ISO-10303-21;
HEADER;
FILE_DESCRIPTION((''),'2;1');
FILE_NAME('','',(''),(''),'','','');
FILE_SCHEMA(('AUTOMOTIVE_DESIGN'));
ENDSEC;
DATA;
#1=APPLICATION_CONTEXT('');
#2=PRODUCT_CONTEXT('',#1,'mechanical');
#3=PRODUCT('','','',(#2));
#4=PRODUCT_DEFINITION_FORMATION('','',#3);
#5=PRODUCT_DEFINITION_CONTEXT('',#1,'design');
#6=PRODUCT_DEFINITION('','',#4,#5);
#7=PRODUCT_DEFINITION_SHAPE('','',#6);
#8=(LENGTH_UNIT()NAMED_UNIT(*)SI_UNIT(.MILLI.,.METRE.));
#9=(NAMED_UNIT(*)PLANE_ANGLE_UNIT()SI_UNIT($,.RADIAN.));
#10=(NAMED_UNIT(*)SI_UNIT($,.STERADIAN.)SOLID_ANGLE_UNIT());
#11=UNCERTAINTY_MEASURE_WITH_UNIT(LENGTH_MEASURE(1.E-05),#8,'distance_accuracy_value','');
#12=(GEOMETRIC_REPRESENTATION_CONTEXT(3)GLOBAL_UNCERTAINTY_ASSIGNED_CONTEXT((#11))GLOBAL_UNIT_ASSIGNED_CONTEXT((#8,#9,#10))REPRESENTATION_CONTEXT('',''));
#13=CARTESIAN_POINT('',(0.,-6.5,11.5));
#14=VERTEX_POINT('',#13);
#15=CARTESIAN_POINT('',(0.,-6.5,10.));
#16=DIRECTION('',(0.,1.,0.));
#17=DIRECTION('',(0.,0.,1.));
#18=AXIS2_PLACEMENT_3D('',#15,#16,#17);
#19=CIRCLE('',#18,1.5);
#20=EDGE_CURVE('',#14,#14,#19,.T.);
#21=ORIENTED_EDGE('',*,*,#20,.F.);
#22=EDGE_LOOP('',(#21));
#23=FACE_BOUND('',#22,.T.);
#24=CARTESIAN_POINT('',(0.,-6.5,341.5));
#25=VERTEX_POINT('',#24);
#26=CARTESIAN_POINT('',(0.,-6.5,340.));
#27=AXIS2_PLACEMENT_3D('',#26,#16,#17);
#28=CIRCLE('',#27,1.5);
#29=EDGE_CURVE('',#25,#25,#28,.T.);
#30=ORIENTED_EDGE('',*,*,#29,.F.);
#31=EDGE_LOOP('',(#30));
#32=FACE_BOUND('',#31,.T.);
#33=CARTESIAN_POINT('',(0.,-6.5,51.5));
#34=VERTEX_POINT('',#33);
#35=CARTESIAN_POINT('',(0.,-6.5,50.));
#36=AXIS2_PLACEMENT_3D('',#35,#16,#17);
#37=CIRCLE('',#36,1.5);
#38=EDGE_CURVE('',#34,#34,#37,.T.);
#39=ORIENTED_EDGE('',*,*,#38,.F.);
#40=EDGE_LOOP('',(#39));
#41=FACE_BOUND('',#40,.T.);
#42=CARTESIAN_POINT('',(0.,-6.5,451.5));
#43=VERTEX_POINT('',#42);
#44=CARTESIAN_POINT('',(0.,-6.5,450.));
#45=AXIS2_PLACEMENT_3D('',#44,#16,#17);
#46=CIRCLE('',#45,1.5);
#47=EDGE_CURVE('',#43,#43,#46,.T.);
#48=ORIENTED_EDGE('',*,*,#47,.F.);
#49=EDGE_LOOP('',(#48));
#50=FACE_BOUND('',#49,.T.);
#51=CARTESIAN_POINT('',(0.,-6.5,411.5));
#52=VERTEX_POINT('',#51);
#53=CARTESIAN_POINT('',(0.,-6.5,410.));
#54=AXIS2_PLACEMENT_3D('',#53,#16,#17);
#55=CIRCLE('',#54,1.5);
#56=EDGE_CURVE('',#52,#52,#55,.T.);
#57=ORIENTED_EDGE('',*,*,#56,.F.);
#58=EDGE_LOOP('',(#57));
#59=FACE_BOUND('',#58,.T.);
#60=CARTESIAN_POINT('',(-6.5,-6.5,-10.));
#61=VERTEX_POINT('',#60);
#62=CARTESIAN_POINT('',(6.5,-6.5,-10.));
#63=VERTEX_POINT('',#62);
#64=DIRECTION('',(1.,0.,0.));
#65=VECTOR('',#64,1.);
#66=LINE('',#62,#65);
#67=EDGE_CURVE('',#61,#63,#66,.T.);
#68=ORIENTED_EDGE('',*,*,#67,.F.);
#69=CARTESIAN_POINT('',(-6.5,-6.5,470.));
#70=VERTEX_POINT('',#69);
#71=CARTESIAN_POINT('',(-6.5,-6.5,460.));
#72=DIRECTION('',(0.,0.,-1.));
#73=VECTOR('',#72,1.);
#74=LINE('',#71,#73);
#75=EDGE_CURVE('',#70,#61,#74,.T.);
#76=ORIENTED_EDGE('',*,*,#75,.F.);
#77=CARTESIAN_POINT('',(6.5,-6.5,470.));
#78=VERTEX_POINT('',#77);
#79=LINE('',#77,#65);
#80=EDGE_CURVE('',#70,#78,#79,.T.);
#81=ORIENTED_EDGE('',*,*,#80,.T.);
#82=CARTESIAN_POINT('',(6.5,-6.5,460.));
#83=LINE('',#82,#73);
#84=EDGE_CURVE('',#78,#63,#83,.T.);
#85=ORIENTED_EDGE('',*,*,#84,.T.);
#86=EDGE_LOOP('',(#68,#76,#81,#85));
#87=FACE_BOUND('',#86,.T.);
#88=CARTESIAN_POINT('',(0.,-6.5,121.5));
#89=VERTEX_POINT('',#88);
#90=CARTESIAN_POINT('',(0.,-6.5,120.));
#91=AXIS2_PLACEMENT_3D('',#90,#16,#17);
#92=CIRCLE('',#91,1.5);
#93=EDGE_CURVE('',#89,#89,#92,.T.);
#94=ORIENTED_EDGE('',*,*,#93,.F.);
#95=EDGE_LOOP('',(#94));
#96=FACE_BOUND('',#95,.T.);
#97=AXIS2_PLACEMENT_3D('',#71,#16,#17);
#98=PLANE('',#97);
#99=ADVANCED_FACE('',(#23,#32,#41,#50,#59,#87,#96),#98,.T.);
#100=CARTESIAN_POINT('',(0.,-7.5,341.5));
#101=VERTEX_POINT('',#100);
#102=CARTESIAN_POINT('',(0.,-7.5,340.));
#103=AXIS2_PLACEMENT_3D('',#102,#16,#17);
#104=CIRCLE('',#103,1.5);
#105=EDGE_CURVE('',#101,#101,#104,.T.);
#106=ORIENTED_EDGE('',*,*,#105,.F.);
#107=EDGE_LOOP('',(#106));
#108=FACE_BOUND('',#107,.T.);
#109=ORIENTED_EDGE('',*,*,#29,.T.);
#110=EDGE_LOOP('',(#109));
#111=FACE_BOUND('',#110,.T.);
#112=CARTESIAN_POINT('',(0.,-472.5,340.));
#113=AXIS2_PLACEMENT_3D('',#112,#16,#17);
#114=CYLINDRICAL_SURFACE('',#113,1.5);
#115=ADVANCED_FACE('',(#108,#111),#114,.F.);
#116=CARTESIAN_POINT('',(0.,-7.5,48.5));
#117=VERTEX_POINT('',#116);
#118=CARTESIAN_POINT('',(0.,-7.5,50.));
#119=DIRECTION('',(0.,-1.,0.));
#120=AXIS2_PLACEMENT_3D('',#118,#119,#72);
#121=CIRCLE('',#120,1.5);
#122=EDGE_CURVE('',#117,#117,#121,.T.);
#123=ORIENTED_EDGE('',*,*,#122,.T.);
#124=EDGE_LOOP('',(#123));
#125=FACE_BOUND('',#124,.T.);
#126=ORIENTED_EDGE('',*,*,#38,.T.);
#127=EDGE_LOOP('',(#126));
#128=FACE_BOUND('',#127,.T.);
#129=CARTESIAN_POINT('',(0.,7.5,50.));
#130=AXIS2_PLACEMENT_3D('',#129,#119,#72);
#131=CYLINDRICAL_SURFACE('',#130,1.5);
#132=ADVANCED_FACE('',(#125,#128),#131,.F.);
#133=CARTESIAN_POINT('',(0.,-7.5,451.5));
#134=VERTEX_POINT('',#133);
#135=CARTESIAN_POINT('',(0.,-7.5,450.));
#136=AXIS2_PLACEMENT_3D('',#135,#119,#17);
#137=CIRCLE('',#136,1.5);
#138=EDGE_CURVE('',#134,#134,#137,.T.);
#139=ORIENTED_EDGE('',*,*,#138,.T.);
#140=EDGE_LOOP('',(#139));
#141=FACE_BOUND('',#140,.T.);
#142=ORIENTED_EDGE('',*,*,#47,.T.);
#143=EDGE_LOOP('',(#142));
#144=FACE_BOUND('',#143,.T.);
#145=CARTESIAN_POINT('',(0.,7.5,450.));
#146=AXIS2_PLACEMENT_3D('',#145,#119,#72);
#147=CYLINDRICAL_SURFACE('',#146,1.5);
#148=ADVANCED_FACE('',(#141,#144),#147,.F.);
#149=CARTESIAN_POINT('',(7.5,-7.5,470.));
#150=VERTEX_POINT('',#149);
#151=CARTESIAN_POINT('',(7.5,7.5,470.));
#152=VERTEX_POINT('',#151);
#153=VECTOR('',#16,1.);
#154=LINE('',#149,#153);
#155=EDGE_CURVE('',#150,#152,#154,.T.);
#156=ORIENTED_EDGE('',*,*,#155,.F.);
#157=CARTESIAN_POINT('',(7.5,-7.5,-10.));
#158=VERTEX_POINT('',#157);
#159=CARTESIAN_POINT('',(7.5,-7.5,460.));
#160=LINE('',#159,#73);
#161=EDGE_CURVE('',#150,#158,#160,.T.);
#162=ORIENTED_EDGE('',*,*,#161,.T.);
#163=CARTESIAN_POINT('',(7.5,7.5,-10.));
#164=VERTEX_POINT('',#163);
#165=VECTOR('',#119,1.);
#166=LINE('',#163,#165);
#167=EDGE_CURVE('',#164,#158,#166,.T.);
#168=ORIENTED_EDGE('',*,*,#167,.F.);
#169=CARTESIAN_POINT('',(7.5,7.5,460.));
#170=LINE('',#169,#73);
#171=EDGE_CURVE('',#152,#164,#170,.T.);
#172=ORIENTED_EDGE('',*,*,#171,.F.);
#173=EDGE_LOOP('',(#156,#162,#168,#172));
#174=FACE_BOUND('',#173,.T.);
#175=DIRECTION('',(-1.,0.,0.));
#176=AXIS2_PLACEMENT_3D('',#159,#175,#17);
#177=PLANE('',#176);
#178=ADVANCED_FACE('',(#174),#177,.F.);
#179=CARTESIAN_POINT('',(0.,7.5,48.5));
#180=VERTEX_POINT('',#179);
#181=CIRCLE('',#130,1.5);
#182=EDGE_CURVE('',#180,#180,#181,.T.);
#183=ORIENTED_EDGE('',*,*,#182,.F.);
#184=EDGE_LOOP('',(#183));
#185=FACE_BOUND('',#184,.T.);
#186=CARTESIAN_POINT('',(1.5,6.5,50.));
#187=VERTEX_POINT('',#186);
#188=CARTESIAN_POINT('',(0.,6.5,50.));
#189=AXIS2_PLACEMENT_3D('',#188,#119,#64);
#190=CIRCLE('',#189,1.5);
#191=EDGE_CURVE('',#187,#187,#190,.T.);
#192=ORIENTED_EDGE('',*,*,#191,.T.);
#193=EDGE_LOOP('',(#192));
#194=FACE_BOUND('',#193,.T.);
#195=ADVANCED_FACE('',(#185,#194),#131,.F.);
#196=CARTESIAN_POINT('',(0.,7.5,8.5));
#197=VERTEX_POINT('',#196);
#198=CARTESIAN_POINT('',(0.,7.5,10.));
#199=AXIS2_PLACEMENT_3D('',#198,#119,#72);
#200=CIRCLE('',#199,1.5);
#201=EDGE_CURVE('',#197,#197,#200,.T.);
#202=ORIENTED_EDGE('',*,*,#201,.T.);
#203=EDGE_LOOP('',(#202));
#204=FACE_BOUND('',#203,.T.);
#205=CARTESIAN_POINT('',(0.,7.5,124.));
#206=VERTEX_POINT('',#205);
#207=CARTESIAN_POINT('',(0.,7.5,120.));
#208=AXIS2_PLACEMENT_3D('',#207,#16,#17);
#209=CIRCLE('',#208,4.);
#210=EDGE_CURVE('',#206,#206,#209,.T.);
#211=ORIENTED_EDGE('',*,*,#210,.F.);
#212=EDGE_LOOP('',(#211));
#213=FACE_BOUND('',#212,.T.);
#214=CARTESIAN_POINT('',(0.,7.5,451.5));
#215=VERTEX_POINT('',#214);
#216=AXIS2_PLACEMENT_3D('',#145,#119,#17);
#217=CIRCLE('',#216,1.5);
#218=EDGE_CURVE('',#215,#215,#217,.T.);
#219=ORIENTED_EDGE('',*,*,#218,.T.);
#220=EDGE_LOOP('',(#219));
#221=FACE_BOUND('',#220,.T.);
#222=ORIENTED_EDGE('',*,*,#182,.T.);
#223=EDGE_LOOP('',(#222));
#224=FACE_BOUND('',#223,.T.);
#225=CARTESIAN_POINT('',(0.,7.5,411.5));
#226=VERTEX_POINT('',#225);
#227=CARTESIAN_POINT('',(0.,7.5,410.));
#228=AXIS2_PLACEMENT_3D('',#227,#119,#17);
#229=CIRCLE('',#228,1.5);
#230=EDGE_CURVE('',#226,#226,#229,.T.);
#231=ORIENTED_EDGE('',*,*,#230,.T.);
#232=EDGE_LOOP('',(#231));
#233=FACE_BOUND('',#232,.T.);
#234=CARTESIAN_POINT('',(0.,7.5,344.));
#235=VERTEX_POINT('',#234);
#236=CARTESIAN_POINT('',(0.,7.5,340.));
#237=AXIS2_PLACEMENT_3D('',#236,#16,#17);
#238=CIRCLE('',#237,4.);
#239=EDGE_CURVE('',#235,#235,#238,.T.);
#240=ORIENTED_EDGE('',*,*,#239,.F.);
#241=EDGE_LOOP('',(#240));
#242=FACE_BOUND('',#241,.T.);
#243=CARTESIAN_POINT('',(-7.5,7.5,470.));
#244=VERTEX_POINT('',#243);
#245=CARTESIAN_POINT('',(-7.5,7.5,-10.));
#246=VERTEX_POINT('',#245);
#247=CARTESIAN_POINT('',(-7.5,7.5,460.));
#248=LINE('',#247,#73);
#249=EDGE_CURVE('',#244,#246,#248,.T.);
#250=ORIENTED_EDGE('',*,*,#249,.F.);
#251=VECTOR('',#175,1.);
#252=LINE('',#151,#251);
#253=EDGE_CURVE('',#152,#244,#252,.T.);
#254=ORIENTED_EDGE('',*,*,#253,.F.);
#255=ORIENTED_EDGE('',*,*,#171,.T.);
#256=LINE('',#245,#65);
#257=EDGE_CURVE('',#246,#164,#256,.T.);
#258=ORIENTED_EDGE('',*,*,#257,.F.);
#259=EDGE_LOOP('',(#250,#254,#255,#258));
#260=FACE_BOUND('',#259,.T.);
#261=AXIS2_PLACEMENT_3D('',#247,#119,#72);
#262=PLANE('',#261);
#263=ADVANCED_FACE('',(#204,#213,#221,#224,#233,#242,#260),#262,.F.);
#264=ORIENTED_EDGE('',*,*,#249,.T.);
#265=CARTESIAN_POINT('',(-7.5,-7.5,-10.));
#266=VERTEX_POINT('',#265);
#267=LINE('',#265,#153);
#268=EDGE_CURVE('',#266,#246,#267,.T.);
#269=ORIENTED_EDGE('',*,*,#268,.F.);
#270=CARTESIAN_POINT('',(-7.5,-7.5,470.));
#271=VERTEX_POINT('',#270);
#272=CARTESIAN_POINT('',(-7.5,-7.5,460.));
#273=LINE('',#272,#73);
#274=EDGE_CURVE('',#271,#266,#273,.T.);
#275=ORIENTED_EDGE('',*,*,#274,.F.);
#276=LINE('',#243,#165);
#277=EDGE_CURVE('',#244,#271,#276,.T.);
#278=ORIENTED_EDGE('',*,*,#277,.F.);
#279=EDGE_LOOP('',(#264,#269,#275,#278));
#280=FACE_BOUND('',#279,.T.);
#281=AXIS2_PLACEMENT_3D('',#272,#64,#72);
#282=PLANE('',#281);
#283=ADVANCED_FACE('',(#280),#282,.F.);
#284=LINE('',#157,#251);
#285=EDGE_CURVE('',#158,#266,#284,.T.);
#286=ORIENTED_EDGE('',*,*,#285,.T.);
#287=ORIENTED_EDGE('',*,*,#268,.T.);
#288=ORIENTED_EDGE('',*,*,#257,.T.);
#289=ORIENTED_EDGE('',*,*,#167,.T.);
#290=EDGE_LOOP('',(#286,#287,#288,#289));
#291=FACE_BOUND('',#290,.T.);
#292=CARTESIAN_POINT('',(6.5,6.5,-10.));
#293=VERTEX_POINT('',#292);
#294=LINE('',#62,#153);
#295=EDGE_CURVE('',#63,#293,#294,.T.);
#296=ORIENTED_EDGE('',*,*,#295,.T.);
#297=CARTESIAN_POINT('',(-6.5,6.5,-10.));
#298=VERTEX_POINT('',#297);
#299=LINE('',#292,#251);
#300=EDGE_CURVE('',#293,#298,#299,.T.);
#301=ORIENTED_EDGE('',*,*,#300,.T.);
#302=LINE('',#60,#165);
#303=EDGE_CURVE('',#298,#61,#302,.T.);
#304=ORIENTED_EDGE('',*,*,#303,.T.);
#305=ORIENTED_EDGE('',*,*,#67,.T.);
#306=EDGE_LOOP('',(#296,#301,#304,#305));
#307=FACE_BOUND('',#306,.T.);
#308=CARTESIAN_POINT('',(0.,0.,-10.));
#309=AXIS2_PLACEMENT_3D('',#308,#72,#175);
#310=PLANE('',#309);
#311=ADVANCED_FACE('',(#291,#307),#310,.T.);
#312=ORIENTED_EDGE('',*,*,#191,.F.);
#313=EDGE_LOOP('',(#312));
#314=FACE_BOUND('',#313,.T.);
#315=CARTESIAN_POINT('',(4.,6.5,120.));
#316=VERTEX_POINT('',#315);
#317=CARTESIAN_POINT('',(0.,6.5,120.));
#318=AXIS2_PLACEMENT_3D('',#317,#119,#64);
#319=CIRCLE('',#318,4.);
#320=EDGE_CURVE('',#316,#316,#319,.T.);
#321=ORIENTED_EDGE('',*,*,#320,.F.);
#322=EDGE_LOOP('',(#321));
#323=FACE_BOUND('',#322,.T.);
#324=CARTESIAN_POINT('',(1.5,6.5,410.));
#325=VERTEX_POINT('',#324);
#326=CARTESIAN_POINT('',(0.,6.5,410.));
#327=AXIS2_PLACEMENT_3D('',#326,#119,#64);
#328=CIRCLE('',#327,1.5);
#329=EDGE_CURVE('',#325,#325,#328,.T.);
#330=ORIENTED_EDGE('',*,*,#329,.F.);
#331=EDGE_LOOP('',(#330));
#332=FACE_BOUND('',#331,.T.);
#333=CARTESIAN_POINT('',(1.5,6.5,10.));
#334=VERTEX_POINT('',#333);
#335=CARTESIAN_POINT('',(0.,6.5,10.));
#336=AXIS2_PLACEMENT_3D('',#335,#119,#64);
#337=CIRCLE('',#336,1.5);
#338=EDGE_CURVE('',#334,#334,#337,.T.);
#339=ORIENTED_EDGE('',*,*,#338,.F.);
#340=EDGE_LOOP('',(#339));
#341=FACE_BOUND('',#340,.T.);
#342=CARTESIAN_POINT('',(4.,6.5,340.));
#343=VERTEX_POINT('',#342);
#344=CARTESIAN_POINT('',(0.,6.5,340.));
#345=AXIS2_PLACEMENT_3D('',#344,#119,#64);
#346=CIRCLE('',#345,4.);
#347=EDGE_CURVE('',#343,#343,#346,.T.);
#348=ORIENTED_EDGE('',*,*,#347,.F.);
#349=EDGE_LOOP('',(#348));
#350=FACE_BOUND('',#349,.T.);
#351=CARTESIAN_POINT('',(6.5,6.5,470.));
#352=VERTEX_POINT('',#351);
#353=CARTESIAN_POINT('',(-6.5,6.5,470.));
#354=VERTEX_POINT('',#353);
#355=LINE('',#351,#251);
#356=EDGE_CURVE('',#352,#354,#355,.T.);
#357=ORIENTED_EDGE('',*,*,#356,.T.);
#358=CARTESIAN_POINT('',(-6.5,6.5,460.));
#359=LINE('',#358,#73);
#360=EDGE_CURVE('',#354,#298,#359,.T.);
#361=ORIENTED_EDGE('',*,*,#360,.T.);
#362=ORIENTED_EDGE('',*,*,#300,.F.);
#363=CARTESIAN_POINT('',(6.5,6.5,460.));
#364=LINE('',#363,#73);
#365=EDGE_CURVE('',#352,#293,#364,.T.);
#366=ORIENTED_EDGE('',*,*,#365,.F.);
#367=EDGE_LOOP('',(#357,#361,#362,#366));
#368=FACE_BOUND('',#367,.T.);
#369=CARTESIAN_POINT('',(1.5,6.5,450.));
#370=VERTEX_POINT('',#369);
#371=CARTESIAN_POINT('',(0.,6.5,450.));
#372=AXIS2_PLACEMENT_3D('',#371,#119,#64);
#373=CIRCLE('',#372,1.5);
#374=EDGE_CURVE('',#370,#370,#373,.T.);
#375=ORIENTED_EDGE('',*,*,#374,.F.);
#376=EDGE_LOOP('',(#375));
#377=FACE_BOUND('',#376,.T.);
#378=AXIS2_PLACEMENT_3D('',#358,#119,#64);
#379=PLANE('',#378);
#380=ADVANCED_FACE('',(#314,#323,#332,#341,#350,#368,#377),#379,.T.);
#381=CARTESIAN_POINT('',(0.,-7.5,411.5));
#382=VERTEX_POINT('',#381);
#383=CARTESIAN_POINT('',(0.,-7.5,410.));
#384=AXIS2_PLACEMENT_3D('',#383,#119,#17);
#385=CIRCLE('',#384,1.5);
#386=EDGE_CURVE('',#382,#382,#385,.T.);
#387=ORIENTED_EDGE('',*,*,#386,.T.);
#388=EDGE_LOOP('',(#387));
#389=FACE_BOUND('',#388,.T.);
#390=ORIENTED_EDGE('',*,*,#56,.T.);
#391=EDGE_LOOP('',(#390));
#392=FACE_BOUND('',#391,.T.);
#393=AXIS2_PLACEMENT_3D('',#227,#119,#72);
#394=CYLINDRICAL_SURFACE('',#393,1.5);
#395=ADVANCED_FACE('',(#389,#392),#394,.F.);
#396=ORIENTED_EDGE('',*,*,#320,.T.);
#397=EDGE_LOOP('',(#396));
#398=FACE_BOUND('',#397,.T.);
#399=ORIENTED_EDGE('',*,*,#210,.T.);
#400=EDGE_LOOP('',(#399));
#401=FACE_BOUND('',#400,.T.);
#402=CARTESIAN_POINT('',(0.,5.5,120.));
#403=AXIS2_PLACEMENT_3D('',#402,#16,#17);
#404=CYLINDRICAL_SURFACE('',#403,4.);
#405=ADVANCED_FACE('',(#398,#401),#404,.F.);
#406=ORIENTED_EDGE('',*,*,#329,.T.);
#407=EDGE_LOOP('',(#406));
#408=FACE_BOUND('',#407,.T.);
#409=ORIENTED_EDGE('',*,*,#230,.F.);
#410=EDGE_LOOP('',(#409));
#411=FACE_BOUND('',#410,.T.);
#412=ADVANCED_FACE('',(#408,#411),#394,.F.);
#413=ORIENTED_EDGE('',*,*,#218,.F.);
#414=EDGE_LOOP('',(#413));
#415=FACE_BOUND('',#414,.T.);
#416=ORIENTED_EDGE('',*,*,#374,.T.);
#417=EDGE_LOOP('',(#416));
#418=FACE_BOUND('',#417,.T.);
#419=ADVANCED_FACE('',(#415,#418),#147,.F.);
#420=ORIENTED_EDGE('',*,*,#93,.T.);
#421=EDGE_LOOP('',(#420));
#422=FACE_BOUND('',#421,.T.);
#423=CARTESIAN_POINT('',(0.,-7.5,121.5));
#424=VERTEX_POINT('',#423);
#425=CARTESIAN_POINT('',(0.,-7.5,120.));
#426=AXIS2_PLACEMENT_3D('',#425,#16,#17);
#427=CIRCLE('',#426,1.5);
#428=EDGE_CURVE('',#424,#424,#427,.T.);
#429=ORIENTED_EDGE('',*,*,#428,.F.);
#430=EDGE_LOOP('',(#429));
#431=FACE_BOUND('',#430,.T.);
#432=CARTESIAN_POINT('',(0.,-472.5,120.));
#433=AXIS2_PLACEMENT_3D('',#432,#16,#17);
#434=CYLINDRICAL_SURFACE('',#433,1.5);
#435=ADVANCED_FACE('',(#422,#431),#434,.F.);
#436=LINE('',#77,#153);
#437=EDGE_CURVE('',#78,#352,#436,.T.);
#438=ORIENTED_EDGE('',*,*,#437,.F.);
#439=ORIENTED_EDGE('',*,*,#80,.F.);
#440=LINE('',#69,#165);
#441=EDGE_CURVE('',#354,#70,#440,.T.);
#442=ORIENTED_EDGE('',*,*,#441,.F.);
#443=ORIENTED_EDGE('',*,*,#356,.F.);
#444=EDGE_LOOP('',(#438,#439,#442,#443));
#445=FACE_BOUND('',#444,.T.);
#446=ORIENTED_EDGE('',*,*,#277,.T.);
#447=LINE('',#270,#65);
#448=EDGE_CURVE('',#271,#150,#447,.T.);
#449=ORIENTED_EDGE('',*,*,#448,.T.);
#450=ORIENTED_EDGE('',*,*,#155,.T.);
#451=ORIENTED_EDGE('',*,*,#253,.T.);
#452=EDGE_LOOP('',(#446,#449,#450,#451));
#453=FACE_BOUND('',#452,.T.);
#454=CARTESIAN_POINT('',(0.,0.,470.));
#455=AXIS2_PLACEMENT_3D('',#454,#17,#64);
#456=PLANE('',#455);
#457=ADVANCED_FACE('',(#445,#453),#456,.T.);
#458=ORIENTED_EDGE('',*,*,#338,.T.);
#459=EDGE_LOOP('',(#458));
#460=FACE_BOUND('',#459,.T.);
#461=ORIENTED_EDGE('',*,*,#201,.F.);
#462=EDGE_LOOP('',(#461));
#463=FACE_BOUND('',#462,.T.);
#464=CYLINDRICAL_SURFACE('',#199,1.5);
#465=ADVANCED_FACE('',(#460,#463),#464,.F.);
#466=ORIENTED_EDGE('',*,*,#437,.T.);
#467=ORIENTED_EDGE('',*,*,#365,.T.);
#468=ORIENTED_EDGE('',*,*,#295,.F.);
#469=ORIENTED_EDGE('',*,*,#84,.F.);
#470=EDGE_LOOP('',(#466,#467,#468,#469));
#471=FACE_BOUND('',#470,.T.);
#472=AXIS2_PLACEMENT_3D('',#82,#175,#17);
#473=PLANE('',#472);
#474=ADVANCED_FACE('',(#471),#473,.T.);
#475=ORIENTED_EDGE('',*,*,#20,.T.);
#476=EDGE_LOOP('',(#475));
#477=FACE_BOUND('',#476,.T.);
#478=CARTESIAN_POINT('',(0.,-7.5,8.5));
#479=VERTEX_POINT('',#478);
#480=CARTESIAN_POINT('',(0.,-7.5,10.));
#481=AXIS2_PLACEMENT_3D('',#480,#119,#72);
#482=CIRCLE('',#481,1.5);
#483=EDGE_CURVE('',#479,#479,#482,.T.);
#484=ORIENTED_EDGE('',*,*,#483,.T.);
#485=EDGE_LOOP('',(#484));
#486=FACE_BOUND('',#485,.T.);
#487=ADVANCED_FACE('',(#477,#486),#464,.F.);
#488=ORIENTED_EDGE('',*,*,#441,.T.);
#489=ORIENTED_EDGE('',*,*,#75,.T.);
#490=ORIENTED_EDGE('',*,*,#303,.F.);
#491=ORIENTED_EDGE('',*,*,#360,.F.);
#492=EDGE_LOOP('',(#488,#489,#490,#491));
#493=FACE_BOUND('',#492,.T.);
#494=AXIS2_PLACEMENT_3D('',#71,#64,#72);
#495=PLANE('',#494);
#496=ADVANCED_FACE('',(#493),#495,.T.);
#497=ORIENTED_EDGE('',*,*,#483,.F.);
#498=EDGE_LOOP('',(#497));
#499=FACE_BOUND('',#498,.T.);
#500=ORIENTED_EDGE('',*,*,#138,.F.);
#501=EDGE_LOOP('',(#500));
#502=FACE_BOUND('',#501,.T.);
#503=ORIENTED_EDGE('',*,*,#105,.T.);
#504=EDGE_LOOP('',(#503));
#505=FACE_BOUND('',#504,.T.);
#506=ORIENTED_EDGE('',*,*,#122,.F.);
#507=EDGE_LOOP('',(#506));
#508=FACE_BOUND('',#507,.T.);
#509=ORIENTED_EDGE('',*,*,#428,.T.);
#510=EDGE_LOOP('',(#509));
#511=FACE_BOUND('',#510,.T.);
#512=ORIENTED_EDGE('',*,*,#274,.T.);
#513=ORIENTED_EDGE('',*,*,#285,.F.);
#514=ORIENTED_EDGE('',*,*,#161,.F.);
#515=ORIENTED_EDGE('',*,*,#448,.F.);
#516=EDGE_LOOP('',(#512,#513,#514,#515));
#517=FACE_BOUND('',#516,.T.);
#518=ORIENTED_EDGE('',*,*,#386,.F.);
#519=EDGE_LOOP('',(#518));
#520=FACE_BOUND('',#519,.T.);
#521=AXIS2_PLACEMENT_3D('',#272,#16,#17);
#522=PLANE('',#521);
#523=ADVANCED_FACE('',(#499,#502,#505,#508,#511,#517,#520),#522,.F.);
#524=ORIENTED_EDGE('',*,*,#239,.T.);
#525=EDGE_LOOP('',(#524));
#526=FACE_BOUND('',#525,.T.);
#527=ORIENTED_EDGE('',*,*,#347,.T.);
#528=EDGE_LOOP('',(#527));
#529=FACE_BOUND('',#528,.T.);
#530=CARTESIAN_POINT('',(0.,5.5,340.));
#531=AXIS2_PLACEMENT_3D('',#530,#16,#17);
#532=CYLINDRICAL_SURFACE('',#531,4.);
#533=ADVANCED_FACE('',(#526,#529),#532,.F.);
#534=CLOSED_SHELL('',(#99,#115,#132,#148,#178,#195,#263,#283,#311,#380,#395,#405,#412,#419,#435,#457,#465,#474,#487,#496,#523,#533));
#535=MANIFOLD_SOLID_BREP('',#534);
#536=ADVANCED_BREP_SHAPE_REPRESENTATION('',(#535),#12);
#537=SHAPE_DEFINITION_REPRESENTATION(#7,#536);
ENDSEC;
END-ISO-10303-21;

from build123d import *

# Parameters (mm, degrees)
SKETCH_1_W          = 15
SKETCH_1_H          = 15
SKETCH_1_W_2        = 13
SKETCH_1_H_2        = 13
EXTRUDE_1_DEPTH     = 460
SKETCH_2_R          = 1.5
CUT_EXTRUDE_1_DEPTH = 480
SKETCH_3_R          = 4
CUT_EXTRUDE_2_DEPTH = 2
SKETCH_4_W          = 15
SKETCH_4_H          = 15
EXTRUDE_2_DEPTH     = 10
SKETCH_5_W          = 15
SKETCH_5_H          = 15
EXTRUDE_3_DEPTH     = 10
SKETCH_6_W          = 13
SKETCH_6_H          = 13
CUT_EXTRUDE_3_DEPTH = 481.117173198
SKETCH_7_R          = 1.5
CUT_EXTRUDE_4_DEPTH = 471.299106952


with BuildPart() as part:
    # 草图1 → 凸台-拉伸1 (new body)
    with BuildSketch(Plane.XY):
        Rectangle(SKETCH_1_W, SKETCH_1_H)
        Rectangle(SKETCH_1_W_2, SKETCH_1_H_2, mode=Mode.SUBTRACT)
    extrude(amount=EXTRUDE_1_DEPTH)

    # 草图2 → 切除-拉伸1 (cut)
    with BuildSketch(Plane(origin=(0, 7.5, 0), x_dir=(1, 0, 0), z_dir=(0, 1, 0))):
        with Locations(Location((0, -120, 0), (0, 0, 270))):
            Circle(SKETCH_2_R)
        with Locations((0, -340)):
            Circle(SKETCH_2_R)
    extrude(amount=-CUT_EXTRUDE_1_DEPTH, mode=Mode.SUBTRACT)

    # 草图3 → 切除-拉伸2 (cut)
    with BuildSketch(Plane(origin=(0, 7.5, 0), x_dir=(1, 0, 0), z_dir=(0, 1, 0))):
        with Locations(Location((0, -120, 0), (0, 0, 270))):
            Circle(SKETCH_3_R)
        with Locations(Location((0, -340, 0), (0, 0, 270))):
            Circle(SKETCH_3_R)
    extrude(amount=-CUT_EXTRUDE_2_DEPTH, mode=Mode.SUBTRACT)

    # 草图4 → 凸台-拉伸2 (add)
    with BuildSketch(Plane(origin=(0, 0, 0), x_dir=(-1, 0, 0), z_dir=(0, 0, -1))):
        Rectangle(SKETCH_4_W, SKETCH_4_H)
    extrude(amount=EXTRUDE_2_DEPTH)

    # 草图5 → 凸台-拉伸3 (add)
    with BuildSketch(Plane.XY.offset(460)):
        Rectangle(SKETCH_5_W, SKETCH_5_H)
    extrude(amount=EXTRUDE_3_DEPTH)

    # 草图6 → 切除-拉伸3 (cut, through all)
    with BuildSketch(Plane.XY.offset(470)):
        Rectangle(SKETCH_6_W, SKETCH_6_H)
    extrude(amount=-CUT_EXTRUDE_3_DEPTH, mode=Mode.SUBTRACT)

    # 草图7 → 切除-拉伸4 (cut, through all)
    with BuildSketch(Plane.XZ.offset(7.5)):
        with Locations(Location((0, 10, 0), (0, 0, 270))):
            Circle(SKETCH_7_R)
        with Locations(Location((0, 50, 0), (0, 0, 270))):
            Circle(SKETCH_7_R)
        with Locations((0, 450)):
            Circle(SKETCH_7_R)
        with Locations((0, 410)):
            Circle(SKETCH_7_R)
    extrude(amount=-CUT_EXTRUDE_4_DEPTH, mode=Mode.SUBTRACT)


solid = part.part
